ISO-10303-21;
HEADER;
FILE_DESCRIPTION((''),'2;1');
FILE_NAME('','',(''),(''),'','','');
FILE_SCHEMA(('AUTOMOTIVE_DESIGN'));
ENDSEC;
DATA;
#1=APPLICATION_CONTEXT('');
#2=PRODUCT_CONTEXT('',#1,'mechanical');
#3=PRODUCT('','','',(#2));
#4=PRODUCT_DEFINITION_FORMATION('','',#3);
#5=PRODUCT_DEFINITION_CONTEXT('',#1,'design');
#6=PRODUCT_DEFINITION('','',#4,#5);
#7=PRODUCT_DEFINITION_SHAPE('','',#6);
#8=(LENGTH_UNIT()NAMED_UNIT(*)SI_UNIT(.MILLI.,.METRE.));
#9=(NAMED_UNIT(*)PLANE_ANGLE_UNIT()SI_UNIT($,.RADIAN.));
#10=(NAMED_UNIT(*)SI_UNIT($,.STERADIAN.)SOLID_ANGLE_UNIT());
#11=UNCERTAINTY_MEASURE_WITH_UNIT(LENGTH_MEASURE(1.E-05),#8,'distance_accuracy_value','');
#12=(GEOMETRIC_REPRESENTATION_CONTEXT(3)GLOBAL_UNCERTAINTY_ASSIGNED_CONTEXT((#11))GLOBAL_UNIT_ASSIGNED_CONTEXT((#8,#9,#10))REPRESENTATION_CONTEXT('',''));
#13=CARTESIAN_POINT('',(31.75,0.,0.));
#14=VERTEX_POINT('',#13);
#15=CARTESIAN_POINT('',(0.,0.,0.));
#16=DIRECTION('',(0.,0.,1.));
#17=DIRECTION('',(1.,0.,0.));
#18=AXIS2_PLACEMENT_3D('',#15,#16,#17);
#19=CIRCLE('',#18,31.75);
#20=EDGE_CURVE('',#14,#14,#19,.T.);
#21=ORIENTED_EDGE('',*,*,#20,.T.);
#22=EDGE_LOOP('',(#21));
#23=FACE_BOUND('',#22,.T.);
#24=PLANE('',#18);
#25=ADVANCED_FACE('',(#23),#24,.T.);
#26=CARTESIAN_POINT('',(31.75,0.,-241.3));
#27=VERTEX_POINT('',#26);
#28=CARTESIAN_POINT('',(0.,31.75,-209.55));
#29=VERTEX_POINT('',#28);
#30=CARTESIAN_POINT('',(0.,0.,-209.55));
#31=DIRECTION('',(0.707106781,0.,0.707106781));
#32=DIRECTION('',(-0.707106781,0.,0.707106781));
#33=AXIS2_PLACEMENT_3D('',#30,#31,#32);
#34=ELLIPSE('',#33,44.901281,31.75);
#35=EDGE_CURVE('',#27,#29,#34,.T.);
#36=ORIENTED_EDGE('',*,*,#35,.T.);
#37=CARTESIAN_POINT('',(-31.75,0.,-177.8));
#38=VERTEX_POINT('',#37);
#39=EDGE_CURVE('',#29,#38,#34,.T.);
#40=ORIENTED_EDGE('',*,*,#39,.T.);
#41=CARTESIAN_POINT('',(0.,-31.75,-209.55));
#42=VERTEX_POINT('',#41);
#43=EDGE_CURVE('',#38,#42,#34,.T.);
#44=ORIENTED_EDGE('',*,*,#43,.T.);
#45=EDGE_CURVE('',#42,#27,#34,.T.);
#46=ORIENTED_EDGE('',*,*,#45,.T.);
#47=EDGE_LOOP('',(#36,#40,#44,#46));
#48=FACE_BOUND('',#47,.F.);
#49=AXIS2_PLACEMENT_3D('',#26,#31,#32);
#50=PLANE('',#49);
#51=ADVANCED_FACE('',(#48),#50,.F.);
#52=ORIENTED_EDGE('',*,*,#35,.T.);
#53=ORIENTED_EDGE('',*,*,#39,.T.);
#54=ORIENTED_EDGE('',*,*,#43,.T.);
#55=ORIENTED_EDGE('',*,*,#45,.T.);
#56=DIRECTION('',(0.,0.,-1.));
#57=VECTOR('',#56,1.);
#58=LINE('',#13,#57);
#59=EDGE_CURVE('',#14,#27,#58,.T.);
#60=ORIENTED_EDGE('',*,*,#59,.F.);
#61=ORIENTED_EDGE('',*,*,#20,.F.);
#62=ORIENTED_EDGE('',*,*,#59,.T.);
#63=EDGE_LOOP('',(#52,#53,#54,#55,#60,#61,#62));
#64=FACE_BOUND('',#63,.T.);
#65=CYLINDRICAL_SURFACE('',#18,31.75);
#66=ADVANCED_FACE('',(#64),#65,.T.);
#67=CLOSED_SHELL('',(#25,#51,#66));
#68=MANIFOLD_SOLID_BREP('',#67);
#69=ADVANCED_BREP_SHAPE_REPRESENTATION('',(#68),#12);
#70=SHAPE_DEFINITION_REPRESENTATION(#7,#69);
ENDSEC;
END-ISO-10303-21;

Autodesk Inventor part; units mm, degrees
ref_plane "XZ Plane" through (0, 0, 0) normal (0, 1, 0) x (-1, 0, 0)
ref_plane "XY Plane" through (0, 0, 0) normal (0, 0, 1) x (1, 0, 0)
sketch "Sketch1" plane through (0, 0, 0) normal (0, 0, 1) x (1, 0, 0)
  circle A0 centre (0, 0) radius 31.75
  dimension "d0" = 63.5
ref_plane "Work Plane1" through (-31.75, 0, 0) normal (1, 0, 0) x (0, 1, 0)
extrude "Extrusion2" add sketch "Sketch1" against normal blind 241.3
sketch "Sketch3" plane through (0, 0, 0) normal (0, 1, 0) x (-1, 0, 0)
  line L0 (-31.75, -241.3) -> (31.75, -241.3) projected
  line L1 (-31.75, -241.3) -> (31.75, -241.3)
  line L2 (31.75, -241.3) -> (31.75, -177.8)
  line L3 (31.75, -177.8) -> (-31.75, -177.8)
  line L4 (-31.75, -177.8) -> (-31.75, -241.3)
  line L5 (-31.75, -241.3) -> (31.75, -177.8)
  point P0 (0, 0)
  dimension "d7" = 63.5
  dimension "d8" = 63.5
extrude "Extrusion3" cut sketch "Sketch3" along normal mid plane 63.5 contours L5 L2 L0
properties part number "Pool Noodle"
